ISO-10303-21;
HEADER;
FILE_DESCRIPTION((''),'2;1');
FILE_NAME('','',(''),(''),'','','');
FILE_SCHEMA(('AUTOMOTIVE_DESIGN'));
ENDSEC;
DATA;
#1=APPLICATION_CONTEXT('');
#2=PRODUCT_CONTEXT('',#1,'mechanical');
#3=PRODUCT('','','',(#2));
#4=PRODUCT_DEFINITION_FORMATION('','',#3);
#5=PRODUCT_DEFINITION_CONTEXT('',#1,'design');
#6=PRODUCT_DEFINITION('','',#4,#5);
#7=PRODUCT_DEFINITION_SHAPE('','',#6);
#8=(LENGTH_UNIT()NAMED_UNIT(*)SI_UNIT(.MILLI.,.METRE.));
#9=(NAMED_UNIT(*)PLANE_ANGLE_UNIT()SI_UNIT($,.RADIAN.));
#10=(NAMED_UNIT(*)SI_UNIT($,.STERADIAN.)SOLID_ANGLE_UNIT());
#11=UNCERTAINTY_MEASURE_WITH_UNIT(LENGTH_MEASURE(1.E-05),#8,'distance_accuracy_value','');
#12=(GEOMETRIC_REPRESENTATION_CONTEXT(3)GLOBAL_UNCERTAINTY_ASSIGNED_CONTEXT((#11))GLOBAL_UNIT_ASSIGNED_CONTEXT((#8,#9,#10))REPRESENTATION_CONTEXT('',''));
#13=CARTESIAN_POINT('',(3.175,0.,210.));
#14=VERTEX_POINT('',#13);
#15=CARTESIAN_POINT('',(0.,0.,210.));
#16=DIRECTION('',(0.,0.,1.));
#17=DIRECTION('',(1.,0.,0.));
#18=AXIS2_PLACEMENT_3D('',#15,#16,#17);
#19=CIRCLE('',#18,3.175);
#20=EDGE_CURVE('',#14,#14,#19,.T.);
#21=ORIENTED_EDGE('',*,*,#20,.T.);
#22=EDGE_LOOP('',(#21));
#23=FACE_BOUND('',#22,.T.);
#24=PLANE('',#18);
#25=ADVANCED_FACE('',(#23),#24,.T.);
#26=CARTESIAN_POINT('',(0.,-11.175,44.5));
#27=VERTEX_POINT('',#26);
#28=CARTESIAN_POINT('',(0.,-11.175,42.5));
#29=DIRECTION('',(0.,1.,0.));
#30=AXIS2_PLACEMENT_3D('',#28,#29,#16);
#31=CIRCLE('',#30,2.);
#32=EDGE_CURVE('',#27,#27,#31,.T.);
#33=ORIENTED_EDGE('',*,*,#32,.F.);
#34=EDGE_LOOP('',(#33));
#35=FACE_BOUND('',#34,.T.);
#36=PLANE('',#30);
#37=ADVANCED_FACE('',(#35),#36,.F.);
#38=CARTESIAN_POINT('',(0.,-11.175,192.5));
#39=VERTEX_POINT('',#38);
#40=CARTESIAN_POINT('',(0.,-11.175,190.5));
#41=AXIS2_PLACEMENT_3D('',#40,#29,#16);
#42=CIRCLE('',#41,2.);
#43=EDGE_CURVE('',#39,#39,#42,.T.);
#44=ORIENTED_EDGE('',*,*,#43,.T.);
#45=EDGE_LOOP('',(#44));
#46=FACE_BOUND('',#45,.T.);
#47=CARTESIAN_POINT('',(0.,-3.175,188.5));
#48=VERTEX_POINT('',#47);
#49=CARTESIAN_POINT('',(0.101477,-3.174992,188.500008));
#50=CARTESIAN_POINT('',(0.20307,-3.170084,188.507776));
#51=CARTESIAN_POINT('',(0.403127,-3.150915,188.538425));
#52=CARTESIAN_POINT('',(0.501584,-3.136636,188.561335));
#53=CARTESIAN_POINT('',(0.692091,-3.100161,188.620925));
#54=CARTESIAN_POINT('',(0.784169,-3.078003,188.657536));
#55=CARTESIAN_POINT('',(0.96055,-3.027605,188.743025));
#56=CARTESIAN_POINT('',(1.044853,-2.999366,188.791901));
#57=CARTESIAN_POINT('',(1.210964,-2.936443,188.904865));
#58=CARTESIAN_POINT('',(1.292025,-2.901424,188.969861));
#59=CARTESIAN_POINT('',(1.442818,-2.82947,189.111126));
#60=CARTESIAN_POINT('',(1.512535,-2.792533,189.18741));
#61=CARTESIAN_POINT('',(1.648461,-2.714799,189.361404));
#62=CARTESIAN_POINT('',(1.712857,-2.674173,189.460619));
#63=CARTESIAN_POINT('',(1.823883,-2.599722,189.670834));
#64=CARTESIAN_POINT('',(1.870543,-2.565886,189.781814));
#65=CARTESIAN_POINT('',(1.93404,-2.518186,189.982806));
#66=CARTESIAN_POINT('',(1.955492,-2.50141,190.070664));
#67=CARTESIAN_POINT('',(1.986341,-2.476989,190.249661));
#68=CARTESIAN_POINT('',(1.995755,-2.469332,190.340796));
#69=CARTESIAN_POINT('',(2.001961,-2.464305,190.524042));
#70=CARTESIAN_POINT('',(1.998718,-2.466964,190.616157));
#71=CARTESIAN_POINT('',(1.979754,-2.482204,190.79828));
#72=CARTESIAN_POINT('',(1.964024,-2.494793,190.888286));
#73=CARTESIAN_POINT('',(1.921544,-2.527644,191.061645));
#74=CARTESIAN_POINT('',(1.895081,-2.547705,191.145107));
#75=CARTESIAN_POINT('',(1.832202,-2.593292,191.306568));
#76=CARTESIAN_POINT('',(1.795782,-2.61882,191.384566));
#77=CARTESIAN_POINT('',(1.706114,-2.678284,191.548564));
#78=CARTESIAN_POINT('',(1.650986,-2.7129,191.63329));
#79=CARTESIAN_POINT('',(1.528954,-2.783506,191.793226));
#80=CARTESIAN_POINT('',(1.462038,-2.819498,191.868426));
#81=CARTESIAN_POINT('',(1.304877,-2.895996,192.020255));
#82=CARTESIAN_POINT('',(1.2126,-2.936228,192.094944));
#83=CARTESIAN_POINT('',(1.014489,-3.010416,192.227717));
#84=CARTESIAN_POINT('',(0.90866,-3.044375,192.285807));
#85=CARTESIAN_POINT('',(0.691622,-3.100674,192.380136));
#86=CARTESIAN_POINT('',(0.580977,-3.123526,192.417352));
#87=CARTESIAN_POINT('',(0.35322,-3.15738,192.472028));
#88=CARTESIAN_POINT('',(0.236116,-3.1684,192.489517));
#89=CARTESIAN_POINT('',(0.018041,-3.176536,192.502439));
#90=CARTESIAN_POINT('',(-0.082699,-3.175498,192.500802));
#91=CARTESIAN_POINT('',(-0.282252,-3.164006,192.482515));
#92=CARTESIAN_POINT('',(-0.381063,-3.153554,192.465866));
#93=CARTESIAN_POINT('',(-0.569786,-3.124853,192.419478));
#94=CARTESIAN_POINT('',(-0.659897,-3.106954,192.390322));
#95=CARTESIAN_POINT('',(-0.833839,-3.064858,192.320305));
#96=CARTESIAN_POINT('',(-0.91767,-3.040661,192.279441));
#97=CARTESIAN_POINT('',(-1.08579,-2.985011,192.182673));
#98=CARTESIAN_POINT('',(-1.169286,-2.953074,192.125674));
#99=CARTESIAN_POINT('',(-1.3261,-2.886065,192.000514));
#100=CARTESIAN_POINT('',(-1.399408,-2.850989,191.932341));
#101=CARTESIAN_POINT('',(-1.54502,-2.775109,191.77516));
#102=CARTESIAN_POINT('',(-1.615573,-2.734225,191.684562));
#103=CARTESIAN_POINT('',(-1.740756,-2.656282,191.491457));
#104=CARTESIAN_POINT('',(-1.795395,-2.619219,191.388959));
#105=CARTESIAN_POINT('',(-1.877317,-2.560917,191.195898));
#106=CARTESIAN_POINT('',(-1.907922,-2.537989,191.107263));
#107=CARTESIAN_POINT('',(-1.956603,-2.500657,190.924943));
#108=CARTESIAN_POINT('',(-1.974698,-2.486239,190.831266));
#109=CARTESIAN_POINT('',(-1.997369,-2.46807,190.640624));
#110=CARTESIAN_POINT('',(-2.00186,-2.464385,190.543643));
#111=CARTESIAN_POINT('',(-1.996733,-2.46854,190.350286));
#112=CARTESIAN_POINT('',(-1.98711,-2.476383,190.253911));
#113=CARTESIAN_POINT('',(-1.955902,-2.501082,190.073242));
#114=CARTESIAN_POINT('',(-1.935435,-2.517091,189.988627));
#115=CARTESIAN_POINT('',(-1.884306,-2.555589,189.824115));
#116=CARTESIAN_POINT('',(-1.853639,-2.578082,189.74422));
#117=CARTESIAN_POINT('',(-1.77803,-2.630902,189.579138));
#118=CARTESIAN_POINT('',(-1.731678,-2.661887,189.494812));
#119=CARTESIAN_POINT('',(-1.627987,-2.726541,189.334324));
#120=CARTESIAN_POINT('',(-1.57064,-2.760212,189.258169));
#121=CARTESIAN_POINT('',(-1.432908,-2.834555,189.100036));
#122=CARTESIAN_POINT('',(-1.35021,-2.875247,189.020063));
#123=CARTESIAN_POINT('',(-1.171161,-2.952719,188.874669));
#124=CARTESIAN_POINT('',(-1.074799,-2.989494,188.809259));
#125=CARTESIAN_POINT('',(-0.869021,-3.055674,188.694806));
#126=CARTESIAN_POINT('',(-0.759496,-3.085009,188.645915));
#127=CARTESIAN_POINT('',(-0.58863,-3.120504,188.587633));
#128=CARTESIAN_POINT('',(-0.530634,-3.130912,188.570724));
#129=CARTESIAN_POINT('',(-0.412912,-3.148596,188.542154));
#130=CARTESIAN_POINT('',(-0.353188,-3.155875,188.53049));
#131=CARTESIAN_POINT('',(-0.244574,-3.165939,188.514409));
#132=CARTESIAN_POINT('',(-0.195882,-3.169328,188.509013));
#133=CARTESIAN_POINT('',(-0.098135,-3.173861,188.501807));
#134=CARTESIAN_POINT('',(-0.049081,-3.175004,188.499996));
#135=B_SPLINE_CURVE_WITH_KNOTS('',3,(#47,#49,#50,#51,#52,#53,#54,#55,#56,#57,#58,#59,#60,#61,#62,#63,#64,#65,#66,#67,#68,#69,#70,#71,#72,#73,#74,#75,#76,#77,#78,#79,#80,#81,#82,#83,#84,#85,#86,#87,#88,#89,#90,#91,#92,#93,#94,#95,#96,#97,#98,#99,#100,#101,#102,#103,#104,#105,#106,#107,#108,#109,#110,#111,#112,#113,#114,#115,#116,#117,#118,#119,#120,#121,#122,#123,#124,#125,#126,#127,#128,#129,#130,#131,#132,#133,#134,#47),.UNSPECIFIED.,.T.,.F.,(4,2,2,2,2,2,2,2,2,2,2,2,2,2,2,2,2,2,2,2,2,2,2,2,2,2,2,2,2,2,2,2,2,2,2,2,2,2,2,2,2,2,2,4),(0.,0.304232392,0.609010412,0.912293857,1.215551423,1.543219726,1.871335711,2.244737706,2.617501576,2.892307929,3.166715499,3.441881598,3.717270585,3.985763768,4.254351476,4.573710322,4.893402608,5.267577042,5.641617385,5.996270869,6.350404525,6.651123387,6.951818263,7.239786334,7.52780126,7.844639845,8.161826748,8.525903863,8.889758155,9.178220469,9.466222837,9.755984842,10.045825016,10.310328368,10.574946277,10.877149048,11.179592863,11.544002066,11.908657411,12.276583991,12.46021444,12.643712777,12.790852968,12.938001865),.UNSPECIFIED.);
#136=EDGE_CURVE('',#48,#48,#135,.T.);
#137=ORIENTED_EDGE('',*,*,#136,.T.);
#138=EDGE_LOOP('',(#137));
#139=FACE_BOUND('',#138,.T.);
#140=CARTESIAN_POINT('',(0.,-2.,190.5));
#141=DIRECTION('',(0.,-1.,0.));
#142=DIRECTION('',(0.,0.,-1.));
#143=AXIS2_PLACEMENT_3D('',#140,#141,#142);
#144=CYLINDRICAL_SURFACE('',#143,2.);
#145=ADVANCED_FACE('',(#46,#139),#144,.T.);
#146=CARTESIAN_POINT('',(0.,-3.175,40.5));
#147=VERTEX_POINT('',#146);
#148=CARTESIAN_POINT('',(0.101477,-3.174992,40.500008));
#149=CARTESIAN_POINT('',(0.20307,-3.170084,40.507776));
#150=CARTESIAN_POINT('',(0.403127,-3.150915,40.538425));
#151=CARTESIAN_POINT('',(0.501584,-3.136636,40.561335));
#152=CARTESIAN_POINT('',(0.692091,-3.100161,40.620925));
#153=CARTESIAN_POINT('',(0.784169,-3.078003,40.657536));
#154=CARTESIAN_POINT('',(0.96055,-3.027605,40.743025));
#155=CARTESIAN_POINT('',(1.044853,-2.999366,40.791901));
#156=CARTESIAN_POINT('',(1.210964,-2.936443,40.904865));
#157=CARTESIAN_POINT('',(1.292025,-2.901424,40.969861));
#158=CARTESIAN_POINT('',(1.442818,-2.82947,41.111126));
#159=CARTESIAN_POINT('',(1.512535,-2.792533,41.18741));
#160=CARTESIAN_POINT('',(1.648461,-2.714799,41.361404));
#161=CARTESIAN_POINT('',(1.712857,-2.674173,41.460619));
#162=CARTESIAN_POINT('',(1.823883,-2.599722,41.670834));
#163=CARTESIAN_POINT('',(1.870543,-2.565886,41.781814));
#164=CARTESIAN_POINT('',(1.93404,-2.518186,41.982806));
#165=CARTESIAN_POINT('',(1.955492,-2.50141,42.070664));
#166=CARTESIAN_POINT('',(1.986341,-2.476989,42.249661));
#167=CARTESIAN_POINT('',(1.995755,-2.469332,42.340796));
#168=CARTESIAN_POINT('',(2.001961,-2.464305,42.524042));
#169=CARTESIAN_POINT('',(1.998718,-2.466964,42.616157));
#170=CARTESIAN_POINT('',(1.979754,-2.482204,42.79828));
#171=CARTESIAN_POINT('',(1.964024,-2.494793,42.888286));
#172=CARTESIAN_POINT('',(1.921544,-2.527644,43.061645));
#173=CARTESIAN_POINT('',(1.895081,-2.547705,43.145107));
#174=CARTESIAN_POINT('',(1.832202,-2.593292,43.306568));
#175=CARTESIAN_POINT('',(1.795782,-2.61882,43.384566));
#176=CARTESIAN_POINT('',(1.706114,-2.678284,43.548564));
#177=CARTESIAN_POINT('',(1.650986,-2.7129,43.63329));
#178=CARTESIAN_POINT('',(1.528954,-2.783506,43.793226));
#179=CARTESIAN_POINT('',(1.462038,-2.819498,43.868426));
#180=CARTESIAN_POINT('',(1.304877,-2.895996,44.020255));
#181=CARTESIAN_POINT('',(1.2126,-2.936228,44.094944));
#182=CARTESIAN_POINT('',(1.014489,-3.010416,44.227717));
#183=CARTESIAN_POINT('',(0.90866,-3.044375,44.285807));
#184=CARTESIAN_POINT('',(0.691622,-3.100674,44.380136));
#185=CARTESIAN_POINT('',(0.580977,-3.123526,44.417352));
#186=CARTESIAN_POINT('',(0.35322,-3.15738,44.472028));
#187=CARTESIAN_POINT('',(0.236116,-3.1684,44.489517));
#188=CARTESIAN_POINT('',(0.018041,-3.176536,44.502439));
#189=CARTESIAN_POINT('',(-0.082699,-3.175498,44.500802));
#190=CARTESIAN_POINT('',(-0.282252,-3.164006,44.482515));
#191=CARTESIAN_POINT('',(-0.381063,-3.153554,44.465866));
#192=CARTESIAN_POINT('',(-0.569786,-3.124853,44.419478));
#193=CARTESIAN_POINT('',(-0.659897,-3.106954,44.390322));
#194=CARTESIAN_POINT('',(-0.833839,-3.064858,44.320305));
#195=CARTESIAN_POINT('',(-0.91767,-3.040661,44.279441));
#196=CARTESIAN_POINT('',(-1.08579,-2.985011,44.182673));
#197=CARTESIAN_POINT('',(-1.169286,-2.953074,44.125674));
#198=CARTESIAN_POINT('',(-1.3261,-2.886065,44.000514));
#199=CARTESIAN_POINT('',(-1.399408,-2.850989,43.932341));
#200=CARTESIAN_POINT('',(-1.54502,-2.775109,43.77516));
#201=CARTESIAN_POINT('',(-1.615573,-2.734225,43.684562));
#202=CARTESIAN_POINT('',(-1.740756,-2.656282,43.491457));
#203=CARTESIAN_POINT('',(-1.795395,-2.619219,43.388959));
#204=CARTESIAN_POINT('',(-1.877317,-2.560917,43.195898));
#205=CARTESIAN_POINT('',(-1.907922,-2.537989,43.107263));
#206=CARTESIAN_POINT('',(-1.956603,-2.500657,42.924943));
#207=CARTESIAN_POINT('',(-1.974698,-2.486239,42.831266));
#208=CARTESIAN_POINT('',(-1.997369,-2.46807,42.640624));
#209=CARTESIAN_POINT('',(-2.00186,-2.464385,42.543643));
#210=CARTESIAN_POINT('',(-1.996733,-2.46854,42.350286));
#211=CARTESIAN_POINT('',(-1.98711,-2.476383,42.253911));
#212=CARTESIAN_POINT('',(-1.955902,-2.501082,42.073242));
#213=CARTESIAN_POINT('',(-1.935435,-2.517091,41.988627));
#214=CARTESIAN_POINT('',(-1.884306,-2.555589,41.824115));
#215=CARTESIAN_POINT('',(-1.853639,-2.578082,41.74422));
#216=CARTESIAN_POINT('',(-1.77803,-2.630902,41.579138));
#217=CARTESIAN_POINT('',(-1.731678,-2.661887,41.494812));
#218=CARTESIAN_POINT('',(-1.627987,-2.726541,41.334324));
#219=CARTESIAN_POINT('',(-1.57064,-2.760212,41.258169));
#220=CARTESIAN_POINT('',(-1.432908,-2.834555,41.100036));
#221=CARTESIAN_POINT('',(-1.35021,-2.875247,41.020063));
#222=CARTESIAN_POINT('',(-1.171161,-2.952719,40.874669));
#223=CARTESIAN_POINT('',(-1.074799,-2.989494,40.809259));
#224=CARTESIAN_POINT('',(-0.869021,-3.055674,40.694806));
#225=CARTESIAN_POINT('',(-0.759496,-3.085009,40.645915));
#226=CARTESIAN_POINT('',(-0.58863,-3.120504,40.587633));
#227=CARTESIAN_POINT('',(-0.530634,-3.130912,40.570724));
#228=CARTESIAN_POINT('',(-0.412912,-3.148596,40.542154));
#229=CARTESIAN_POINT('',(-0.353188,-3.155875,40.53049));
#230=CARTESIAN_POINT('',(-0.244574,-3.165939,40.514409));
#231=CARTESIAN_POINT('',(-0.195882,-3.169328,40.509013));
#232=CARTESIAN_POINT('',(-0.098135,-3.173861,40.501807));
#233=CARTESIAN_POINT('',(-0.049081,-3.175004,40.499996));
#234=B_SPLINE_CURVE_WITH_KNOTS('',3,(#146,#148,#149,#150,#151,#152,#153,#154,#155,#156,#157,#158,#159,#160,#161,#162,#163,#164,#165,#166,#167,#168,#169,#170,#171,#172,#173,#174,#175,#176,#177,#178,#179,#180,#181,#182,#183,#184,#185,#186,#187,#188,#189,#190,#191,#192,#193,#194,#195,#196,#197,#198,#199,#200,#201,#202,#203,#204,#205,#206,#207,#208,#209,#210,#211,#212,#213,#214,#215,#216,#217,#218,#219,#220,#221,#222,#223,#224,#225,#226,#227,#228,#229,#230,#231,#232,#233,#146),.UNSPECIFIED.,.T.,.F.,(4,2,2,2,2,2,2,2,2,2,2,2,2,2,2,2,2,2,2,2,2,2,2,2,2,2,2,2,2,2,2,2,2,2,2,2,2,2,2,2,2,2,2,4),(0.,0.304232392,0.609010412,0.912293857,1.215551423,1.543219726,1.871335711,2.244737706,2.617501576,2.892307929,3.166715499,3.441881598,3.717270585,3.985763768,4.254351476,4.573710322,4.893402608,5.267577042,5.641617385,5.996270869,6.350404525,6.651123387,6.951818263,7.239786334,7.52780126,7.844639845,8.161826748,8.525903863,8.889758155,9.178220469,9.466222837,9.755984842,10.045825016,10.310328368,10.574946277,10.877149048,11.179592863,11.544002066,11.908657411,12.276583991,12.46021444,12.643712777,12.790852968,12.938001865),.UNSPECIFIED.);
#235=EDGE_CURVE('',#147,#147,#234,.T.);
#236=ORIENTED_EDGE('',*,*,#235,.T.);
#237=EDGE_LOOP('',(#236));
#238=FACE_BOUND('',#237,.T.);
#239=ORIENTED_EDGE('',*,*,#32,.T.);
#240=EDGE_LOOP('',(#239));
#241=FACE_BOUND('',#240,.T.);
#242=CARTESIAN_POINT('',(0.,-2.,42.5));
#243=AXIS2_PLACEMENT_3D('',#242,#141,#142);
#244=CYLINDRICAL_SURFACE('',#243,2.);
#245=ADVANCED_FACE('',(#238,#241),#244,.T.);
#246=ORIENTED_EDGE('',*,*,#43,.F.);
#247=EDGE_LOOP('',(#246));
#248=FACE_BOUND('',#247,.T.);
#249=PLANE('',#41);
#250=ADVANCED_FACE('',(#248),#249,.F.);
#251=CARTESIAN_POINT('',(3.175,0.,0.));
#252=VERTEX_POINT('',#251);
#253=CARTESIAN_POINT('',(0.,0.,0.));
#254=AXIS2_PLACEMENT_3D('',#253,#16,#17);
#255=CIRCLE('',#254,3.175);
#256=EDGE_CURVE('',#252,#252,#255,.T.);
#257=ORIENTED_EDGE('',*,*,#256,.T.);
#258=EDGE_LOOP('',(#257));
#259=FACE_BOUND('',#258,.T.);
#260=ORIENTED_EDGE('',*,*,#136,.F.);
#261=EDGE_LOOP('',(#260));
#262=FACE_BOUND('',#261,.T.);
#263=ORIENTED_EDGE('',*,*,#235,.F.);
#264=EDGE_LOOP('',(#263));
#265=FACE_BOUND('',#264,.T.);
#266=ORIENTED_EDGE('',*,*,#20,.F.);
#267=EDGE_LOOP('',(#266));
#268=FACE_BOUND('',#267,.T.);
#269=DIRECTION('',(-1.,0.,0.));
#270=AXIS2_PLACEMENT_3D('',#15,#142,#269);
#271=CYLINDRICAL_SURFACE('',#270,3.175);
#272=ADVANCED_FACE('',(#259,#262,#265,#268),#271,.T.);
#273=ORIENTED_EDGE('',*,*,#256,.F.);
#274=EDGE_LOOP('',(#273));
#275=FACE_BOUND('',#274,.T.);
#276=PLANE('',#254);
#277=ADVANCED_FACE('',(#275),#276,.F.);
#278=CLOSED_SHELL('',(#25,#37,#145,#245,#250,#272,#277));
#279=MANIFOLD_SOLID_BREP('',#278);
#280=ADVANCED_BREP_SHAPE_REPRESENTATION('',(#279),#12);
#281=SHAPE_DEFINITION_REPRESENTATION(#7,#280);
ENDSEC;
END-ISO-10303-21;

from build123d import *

# Parameters (mm, degrees)
SKETCH1_R           = 3.175
BOSS_EXTRUDE1_DEPTH = 210
BOSS_EXTRUDE2_START = -11.175
SKETCH2_R           = 2
BOSS_EXTRUDE2_DEPTH = 9.175


with BuildPart() as part:
    # Sketch1 → Boss-Extrude1 (new body)
    with BuildSketch(Plane.XY):
        Circle(SKETCH1_R)
    extrude(amount=BOSS_EXTRUDE1_DEPTH)

    # Sketch2 → Boss-Extrude2 (add)
    with BuildSketch(Plane(origin=(0, 0, 0), x_dir=(1, 0, 0), z_dir=(0, 1, 0)).offset(BOSS_EXTRUDE2_START)):
        with Locations(Location((0, -42.5, 0), (0, 0, 90))):
            Circle(SKETCH2_R)
        with Locations(Location((0, -190.5, 0), (0, 0, 90))):
            Circle(SKETCH2_R)
    extrude(amount=BOSS_EXTRUDE2_DEPTH)


solid = part.part
